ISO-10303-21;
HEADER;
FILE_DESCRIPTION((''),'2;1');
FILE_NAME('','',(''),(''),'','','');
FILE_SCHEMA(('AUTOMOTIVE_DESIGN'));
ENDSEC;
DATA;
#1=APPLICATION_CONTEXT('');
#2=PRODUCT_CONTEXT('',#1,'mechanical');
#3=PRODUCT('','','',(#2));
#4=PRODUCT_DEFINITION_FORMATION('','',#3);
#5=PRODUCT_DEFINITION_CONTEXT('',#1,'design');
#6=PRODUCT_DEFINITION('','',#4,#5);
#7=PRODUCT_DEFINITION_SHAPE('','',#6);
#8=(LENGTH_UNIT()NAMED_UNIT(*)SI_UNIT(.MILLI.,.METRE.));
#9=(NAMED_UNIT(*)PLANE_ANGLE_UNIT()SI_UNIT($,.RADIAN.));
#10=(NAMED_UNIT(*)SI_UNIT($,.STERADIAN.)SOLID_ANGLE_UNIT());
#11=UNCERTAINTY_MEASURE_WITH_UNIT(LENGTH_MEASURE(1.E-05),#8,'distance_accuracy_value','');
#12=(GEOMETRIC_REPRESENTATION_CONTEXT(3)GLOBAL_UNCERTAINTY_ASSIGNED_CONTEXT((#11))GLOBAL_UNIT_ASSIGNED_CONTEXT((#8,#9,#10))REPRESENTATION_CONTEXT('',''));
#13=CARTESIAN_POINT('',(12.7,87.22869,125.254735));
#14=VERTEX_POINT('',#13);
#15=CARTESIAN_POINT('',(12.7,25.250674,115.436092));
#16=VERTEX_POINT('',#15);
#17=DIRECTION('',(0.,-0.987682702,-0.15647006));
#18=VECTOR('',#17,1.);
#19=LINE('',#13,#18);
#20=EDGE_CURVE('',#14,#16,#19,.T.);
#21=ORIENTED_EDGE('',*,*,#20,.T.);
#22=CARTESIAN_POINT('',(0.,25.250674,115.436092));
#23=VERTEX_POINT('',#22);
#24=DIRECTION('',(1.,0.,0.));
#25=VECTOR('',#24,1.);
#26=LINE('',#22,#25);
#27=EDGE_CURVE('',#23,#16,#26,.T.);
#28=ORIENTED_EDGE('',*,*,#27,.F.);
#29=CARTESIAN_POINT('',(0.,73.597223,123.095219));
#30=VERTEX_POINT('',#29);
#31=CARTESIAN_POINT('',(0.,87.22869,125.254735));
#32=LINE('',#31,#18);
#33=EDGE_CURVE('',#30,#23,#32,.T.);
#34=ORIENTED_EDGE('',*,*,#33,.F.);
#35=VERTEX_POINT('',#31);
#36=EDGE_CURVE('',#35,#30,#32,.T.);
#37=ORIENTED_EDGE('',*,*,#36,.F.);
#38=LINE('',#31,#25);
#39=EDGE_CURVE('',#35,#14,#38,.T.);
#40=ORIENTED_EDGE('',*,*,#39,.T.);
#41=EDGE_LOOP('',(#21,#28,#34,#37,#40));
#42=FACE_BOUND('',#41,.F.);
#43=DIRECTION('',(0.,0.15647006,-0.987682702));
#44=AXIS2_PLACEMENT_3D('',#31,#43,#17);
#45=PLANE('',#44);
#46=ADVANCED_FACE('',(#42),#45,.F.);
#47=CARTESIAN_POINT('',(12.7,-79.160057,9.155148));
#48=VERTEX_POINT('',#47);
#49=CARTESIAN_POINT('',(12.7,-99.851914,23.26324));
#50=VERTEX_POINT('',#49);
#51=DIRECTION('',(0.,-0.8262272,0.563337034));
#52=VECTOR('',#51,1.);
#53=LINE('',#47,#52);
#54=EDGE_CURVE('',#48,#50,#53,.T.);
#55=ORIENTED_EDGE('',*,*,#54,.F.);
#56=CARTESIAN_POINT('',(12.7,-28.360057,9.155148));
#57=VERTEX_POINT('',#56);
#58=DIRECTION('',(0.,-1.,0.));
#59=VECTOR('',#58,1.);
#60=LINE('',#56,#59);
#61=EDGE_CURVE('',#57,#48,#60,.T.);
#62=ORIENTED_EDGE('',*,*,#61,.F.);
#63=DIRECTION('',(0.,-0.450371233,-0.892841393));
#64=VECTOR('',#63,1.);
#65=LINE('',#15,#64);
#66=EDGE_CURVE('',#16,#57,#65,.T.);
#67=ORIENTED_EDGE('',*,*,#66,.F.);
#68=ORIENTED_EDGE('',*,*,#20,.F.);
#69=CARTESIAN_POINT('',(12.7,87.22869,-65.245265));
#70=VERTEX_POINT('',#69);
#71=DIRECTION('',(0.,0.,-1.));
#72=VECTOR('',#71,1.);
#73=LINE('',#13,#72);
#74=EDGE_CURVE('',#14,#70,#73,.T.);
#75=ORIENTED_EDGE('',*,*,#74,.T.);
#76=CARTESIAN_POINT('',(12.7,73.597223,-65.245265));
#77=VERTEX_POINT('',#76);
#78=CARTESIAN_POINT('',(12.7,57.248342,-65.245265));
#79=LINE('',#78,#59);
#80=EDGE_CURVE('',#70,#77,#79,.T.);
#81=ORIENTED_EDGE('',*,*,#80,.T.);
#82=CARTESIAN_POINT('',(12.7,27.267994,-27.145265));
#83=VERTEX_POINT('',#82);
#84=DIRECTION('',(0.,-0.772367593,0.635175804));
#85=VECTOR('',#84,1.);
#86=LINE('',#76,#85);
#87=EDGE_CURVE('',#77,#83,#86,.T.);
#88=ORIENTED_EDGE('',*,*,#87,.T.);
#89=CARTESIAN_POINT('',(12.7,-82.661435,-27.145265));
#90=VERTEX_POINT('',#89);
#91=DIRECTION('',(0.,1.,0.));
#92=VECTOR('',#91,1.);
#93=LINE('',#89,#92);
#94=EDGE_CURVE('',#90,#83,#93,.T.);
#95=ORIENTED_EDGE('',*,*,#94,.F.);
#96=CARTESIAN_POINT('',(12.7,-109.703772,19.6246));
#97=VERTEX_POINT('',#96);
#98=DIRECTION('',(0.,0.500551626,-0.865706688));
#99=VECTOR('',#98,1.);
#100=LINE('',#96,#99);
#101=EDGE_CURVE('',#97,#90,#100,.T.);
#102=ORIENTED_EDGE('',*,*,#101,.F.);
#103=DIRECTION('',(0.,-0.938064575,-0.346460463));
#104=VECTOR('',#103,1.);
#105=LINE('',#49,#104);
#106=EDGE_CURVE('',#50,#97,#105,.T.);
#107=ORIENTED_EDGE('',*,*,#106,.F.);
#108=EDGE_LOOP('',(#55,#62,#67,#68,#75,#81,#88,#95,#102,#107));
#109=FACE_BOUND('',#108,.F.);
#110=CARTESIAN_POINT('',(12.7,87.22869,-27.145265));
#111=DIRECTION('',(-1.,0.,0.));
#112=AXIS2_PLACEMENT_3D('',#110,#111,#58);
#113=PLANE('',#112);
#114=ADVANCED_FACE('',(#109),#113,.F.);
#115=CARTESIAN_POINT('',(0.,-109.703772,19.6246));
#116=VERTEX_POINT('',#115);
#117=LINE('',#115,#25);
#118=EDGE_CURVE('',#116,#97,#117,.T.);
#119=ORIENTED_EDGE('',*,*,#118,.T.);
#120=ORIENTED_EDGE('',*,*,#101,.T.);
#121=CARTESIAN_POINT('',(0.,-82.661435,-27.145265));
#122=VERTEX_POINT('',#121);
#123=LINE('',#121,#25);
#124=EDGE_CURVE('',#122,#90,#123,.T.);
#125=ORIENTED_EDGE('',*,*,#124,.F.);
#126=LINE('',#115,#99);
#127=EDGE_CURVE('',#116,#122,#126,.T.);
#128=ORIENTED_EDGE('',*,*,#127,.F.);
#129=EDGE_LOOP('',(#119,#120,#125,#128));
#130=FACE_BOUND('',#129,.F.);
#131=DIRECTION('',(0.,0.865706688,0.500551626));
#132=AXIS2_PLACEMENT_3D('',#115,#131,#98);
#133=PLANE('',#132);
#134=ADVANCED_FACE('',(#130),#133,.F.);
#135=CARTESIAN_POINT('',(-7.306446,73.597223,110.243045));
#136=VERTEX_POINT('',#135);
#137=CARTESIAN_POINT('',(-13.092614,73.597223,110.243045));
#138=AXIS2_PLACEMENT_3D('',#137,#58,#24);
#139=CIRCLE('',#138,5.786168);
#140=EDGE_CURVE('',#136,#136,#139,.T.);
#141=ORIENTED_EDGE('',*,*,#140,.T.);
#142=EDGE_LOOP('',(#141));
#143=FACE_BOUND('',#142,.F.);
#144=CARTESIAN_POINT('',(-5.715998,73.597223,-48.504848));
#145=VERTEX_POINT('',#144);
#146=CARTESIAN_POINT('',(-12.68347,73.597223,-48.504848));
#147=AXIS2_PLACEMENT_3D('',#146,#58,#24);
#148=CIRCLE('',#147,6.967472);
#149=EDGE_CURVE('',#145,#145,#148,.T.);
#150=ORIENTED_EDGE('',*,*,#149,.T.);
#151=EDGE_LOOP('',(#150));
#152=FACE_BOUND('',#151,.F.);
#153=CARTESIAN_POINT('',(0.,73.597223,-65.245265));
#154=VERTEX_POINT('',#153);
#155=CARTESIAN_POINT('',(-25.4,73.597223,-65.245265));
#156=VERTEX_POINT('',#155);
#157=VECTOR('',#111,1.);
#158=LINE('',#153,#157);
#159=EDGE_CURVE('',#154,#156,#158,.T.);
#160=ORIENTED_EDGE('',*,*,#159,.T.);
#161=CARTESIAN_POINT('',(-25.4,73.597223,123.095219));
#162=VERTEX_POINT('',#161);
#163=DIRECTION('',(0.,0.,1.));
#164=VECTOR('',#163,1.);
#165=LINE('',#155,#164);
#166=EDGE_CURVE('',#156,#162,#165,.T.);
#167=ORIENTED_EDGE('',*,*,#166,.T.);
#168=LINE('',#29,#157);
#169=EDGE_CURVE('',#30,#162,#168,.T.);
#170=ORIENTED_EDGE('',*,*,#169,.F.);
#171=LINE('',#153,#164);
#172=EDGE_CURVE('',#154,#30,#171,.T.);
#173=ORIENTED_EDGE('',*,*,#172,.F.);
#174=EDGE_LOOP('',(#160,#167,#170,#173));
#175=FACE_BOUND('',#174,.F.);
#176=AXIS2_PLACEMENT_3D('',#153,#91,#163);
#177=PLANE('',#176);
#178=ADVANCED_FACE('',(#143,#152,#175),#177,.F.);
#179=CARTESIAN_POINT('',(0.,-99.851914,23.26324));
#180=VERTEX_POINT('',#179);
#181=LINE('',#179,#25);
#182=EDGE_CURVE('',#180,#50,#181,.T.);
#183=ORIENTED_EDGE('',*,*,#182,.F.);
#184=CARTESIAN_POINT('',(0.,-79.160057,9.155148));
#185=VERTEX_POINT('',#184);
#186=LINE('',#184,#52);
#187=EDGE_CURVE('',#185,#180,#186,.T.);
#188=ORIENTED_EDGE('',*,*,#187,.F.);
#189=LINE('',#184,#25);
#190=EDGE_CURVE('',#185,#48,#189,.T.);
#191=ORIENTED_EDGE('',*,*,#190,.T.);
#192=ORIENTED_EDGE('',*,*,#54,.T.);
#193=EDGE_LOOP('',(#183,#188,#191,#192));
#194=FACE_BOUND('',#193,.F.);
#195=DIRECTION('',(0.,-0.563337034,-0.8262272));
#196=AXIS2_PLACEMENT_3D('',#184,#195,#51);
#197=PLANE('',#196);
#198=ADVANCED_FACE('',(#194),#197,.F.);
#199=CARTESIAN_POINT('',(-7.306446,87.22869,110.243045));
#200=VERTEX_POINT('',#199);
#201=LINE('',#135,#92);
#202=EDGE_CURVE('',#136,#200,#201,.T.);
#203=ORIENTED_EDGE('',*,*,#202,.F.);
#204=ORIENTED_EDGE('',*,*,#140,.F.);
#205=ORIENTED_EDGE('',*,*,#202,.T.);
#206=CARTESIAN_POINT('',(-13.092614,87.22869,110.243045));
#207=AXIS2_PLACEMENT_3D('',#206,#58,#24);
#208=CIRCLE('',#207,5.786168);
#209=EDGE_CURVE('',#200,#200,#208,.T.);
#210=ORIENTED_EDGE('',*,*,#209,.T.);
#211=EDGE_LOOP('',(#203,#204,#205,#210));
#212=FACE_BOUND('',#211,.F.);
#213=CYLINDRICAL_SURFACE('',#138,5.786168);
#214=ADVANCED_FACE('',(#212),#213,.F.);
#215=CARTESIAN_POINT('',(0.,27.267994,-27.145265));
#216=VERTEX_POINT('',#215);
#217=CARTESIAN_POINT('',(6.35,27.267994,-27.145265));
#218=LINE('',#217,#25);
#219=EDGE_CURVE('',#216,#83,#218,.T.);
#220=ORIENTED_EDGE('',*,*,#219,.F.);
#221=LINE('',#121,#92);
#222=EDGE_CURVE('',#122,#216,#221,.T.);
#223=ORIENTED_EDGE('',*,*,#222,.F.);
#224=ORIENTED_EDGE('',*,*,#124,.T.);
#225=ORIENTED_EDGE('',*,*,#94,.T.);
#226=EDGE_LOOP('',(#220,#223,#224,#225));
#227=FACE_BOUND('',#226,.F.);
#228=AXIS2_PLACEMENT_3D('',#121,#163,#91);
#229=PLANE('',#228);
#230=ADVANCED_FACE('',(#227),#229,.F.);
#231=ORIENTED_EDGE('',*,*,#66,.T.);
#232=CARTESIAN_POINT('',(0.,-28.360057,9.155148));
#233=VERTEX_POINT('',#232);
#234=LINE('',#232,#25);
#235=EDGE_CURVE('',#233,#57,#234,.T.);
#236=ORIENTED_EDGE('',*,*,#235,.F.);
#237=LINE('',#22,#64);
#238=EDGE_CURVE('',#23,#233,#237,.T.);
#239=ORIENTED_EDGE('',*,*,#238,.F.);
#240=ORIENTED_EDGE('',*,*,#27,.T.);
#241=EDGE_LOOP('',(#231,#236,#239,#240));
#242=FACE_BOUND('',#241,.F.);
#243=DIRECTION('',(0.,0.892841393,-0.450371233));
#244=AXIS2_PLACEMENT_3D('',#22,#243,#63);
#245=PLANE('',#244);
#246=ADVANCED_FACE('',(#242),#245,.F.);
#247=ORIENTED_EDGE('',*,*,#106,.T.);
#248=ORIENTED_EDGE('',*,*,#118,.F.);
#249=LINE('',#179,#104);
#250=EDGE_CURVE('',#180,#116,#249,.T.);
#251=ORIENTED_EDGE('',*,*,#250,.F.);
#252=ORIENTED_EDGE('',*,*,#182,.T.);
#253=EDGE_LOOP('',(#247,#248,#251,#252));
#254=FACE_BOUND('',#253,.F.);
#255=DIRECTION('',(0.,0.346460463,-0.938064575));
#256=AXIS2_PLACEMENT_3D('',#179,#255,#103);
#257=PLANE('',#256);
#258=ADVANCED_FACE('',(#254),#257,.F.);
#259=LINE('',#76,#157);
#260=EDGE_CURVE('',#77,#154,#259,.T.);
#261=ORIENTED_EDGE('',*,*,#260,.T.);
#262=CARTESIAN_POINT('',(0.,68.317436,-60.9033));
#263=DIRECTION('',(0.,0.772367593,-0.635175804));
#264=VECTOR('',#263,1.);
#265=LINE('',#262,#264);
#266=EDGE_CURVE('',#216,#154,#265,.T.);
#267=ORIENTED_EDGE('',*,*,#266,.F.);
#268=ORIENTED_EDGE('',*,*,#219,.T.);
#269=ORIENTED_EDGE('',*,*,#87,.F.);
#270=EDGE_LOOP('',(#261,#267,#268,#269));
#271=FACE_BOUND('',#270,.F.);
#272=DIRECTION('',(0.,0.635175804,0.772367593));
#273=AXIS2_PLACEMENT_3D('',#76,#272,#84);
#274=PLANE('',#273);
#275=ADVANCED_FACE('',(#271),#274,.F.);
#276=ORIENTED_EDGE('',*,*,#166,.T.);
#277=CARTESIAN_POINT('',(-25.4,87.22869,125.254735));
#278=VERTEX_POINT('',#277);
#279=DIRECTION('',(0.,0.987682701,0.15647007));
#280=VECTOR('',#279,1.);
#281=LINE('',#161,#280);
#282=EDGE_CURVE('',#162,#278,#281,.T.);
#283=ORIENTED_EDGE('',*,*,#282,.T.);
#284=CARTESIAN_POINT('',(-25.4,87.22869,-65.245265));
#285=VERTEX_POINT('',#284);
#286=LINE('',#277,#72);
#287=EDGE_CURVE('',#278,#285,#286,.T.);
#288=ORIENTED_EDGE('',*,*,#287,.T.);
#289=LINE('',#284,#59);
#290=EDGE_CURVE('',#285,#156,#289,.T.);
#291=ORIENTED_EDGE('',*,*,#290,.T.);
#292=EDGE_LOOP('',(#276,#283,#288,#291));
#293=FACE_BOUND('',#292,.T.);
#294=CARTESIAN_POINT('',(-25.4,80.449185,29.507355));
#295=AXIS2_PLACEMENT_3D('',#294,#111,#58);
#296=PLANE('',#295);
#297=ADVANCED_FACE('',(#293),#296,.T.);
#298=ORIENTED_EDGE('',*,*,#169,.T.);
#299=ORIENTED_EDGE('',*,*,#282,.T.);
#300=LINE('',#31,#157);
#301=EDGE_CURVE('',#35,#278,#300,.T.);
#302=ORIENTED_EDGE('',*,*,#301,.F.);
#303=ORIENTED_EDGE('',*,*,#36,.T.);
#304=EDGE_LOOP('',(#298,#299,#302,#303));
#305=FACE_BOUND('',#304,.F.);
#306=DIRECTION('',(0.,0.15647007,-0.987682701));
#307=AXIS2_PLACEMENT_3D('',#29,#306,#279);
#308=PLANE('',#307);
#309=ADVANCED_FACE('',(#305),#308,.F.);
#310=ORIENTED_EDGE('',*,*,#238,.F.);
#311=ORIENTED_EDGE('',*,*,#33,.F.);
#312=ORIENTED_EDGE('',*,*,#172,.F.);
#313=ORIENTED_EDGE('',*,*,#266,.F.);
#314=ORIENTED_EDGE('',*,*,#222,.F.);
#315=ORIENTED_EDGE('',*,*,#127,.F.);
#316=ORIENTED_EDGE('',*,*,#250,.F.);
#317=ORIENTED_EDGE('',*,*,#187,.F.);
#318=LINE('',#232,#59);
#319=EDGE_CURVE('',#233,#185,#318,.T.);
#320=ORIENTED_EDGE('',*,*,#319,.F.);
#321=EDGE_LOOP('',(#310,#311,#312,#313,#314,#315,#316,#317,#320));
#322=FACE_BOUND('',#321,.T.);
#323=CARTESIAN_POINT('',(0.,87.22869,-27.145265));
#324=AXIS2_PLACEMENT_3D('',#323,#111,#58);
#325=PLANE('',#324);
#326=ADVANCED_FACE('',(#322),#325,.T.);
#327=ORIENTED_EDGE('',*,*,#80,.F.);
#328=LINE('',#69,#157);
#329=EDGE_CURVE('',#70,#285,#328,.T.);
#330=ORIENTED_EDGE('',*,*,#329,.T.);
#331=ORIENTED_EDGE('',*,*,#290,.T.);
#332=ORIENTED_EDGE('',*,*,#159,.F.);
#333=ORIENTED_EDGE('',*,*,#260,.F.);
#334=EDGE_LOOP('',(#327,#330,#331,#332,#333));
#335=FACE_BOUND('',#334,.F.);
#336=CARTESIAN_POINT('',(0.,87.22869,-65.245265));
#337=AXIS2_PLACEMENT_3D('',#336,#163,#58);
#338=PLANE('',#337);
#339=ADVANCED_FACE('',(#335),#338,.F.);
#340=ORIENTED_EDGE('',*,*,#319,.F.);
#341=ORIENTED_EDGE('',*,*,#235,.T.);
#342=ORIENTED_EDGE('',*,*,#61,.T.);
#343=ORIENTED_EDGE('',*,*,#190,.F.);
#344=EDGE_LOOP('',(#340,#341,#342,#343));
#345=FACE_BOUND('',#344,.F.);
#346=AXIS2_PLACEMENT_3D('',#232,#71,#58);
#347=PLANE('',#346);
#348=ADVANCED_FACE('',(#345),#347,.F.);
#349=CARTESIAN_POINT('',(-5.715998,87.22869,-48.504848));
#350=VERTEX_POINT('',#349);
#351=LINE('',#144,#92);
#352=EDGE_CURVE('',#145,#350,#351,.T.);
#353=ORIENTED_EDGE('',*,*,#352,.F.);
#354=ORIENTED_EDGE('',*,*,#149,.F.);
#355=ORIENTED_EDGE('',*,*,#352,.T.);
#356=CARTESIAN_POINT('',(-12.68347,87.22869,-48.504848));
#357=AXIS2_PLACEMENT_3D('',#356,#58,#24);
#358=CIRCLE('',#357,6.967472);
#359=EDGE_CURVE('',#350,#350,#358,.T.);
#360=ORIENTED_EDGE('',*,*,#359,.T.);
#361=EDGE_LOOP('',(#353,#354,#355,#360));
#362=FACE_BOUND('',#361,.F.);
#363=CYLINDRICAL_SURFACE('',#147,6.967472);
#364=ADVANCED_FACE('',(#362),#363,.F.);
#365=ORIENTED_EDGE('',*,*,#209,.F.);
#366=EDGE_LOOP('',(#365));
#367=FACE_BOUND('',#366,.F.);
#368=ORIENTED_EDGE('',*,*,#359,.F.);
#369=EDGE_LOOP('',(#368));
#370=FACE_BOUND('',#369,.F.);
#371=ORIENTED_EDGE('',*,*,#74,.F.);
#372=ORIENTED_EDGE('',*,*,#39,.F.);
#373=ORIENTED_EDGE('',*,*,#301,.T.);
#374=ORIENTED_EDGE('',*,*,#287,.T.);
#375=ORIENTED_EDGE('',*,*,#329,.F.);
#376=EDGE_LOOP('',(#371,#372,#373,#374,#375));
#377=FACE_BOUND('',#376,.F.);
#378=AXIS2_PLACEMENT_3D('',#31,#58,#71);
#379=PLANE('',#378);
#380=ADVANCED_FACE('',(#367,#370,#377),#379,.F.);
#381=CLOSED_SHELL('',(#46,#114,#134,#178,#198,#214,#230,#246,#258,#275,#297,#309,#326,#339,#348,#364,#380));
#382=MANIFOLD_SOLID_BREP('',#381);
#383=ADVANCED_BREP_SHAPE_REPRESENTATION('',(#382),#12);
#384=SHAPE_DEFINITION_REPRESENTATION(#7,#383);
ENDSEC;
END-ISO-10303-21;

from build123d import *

# Parameters (mm, degrees)
F1_DEPTH = 12.7
F2_W     = 12.7
F2_H     = 59.960696
F3_DEPTH = 38.1
F5_DEPTH = 25.4
F7_DEPTH = 25.4
F8_R     = 5.786168
F8_R_2   = 6.967472
F9_DEPTH = 25.4


with BuildPart() as f1:
    # F0 (on Right) → F1 (new body)
    with BuildSketch(Plane.YZ):
        Polygon((-109.703772, 19.6246), (-82.661435, -27.145265), (87.22869, -27.145265), (87.22869, 125.254735), (25.250674, 115.436092), (-28.360057, 9.155148), (-79.160057, 9.155148), (-99.851914, 23.26324), align=None)
    extrude(amount=F1_DEPTH)

    # F2 (on face) → F3 (join)
    with BuildSketch(Plane(origin=(0, 0, -27.145265), x_dir=(1, 0, 0), z_dir=(0, 0, -1))):
        with Locations((6.35, -57.248342)):
            Rectangle(F2_W, F2_H)
    extrude(amount=F3_DEPTH)

    # F4 (on face) → F5 (cut)
    with BuildSketch(Plane.YZ.offset(12.7)):
        Polygon((73.597223, -65.245265), (27.267994, -27.145265), (27.267994, -65.245265), align=None)
    extrude(amount=-F5_DEPTH, mode=Mode.SUBTRACT)

    # F6 (on face) → F7 (join)
    with BuildSketch(Plane(origin=(0, 0, 0), x_dir=(0, -1, 0), z_dir=(-1, 0, 0))):
        Polygon((-87.22869, 125.254735), (-87.22869, -65.245265), (-73.597223, -65.245265), (-73.597223, 123.095219), align=None)
    extrude(amount=F7_DEPTH)

    # F8 (on face) → F9 (cut)
    with BuildSketch(Plane.XZ.offset(-73.597223)):
        with Locations((-13.092614, 110.243045)):
            Circle(F8_R)
        with Locations((-12.68347, -48.504848)):
            Circle(F8_R_2)
    extrude(amount=-F9_DEPTH, mode=Mode.SUBTRACT)


solid = f1.part
